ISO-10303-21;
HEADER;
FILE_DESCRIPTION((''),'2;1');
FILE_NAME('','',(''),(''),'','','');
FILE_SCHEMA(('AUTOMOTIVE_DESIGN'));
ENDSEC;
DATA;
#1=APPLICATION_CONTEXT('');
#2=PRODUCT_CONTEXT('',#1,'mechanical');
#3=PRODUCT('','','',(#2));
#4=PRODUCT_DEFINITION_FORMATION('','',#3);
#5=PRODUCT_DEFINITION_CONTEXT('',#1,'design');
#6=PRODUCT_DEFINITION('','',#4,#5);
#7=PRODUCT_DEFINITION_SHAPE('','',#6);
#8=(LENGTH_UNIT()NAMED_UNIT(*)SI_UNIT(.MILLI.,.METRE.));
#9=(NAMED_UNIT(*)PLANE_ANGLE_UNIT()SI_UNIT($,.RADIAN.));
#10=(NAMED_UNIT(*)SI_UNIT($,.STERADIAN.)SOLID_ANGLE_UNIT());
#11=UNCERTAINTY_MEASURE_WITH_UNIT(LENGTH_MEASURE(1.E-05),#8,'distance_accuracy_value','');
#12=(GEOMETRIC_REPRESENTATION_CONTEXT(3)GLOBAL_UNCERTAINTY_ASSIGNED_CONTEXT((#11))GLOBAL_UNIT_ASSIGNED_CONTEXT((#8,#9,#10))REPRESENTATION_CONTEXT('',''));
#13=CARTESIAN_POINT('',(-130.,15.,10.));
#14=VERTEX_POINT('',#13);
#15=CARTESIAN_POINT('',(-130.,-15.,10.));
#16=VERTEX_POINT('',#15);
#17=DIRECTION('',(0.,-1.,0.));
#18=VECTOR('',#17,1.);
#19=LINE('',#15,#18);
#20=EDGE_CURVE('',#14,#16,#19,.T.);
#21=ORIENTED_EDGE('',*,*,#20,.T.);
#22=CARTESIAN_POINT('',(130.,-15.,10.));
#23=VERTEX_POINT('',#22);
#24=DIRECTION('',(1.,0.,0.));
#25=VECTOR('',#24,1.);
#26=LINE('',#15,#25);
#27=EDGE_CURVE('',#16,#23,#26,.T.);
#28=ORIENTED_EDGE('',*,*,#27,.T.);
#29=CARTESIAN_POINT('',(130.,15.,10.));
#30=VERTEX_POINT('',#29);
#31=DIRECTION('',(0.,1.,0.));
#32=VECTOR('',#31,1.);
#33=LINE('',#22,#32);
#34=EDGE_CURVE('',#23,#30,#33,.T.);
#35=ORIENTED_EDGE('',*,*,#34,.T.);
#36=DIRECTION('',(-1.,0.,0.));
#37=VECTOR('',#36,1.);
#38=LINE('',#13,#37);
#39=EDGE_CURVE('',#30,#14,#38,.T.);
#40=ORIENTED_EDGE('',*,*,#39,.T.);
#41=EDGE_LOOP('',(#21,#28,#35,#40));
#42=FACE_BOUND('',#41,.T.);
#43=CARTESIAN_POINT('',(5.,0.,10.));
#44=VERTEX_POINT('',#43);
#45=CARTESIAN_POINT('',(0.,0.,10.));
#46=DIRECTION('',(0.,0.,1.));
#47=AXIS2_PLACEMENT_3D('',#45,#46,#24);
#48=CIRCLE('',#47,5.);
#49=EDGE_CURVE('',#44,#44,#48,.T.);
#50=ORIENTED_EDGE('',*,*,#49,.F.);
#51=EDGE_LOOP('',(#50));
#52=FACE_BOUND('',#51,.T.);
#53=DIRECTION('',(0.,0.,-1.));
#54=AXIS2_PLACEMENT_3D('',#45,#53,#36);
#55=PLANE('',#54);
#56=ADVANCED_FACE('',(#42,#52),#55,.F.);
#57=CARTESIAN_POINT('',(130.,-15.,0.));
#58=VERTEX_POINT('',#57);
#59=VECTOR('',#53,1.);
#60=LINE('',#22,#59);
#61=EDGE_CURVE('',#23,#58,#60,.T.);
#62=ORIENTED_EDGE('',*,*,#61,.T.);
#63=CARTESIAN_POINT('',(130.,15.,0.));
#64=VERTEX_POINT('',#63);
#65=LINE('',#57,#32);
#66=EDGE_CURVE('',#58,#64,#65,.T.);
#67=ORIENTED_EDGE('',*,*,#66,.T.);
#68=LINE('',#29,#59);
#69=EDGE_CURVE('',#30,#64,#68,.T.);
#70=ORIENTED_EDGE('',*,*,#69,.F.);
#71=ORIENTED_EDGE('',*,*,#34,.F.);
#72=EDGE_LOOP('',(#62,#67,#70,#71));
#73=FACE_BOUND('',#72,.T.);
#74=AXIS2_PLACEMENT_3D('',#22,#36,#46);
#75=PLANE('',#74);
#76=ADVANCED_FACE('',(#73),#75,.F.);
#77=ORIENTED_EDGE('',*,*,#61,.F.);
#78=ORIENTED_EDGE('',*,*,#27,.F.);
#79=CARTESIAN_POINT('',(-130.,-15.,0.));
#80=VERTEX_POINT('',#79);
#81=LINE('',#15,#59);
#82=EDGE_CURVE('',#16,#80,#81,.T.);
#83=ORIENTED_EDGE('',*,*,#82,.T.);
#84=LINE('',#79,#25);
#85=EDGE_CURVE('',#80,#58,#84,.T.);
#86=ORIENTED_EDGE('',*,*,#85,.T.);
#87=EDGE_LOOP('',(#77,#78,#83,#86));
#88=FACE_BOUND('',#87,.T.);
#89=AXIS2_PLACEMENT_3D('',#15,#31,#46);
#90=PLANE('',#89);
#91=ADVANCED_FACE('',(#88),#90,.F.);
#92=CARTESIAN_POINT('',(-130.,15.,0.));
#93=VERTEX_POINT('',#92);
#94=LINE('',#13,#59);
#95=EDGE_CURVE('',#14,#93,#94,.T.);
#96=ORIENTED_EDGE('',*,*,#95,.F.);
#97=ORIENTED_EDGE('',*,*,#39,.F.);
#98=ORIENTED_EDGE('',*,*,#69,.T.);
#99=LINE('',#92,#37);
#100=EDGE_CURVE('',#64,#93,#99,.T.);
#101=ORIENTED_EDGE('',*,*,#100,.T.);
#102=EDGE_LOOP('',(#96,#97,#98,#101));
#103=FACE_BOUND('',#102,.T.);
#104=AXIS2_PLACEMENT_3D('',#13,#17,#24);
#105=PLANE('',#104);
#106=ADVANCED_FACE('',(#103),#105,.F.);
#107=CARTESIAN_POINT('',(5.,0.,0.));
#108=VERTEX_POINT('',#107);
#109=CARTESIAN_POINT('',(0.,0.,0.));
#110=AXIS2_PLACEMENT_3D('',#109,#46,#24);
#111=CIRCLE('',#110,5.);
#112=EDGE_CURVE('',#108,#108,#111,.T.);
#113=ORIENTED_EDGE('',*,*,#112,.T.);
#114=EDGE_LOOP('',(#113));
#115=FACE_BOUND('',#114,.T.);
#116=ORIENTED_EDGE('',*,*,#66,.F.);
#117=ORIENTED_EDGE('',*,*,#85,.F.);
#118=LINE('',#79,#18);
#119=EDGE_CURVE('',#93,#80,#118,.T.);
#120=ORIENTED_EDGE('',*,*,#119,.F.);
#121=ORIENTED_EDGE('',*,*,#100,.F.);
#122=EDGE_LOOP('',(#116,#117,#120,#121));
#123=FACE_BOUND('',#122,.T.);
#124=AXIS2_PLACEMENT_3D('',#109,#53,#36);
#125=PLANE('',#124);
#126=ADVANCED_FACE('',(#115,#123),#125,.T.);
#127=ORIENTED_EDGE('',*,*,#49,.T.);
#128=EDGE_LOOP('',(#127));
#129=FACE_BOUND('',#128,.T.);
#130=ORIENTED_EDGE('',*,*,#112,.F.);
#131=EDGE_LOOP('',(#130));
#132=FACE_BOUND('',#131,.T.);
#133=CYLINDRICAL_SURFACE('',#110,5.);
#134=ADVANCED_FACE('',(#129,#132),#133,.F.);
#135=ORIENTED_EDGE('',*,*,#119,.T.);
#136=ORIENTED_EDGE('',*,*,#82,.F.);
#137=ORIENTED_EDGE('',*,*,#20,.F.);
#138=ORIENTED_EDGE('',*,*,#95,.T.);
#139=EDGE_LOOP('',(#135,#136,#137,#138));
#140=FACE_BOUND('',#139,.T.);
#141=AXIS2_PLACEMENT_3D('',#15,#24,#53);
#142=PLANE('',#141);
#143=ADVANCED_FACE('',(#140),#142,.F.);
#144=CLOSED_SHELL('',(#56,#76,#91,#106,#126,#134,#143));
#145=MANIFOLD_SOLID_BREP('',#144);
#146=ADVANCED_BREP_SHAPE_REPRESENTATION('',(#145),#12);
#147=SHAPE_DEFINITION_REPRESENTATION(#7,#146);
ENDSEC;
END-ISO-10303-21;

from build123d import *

# Parameters (mm, degrees)
ESQUISSE1_W             = 260
ESQUISSE1_H             = 30
BOSS_EXTRU_1_DEPTH      = 10
ESQUISSE2_R             = 5
ENL_V_MAT_EXTRU_1_DEPTH = 10


with BuildPart() as part:
    # Esquisse1 → Boss.-Extru.1 (new body)
    with BuildSketch(Plane.XY):
        Rectangle(ESQUISSE1_W, ESQUISSE1_H)
    extrude(amount=BOSS_EXTRU_1_DEPTH)

    # Esquisse2 → Enlèv. mat.-Extru.1 (cut)
    with BuildSketch(Plane.XY.offset(10)):
        Circle(ESQUISSE2_R)
    extrude(amount=-ENL_V_MAT_EXTRU_1_DEPTH, mode=Mode.SUBTRACT)


solid = part.part
